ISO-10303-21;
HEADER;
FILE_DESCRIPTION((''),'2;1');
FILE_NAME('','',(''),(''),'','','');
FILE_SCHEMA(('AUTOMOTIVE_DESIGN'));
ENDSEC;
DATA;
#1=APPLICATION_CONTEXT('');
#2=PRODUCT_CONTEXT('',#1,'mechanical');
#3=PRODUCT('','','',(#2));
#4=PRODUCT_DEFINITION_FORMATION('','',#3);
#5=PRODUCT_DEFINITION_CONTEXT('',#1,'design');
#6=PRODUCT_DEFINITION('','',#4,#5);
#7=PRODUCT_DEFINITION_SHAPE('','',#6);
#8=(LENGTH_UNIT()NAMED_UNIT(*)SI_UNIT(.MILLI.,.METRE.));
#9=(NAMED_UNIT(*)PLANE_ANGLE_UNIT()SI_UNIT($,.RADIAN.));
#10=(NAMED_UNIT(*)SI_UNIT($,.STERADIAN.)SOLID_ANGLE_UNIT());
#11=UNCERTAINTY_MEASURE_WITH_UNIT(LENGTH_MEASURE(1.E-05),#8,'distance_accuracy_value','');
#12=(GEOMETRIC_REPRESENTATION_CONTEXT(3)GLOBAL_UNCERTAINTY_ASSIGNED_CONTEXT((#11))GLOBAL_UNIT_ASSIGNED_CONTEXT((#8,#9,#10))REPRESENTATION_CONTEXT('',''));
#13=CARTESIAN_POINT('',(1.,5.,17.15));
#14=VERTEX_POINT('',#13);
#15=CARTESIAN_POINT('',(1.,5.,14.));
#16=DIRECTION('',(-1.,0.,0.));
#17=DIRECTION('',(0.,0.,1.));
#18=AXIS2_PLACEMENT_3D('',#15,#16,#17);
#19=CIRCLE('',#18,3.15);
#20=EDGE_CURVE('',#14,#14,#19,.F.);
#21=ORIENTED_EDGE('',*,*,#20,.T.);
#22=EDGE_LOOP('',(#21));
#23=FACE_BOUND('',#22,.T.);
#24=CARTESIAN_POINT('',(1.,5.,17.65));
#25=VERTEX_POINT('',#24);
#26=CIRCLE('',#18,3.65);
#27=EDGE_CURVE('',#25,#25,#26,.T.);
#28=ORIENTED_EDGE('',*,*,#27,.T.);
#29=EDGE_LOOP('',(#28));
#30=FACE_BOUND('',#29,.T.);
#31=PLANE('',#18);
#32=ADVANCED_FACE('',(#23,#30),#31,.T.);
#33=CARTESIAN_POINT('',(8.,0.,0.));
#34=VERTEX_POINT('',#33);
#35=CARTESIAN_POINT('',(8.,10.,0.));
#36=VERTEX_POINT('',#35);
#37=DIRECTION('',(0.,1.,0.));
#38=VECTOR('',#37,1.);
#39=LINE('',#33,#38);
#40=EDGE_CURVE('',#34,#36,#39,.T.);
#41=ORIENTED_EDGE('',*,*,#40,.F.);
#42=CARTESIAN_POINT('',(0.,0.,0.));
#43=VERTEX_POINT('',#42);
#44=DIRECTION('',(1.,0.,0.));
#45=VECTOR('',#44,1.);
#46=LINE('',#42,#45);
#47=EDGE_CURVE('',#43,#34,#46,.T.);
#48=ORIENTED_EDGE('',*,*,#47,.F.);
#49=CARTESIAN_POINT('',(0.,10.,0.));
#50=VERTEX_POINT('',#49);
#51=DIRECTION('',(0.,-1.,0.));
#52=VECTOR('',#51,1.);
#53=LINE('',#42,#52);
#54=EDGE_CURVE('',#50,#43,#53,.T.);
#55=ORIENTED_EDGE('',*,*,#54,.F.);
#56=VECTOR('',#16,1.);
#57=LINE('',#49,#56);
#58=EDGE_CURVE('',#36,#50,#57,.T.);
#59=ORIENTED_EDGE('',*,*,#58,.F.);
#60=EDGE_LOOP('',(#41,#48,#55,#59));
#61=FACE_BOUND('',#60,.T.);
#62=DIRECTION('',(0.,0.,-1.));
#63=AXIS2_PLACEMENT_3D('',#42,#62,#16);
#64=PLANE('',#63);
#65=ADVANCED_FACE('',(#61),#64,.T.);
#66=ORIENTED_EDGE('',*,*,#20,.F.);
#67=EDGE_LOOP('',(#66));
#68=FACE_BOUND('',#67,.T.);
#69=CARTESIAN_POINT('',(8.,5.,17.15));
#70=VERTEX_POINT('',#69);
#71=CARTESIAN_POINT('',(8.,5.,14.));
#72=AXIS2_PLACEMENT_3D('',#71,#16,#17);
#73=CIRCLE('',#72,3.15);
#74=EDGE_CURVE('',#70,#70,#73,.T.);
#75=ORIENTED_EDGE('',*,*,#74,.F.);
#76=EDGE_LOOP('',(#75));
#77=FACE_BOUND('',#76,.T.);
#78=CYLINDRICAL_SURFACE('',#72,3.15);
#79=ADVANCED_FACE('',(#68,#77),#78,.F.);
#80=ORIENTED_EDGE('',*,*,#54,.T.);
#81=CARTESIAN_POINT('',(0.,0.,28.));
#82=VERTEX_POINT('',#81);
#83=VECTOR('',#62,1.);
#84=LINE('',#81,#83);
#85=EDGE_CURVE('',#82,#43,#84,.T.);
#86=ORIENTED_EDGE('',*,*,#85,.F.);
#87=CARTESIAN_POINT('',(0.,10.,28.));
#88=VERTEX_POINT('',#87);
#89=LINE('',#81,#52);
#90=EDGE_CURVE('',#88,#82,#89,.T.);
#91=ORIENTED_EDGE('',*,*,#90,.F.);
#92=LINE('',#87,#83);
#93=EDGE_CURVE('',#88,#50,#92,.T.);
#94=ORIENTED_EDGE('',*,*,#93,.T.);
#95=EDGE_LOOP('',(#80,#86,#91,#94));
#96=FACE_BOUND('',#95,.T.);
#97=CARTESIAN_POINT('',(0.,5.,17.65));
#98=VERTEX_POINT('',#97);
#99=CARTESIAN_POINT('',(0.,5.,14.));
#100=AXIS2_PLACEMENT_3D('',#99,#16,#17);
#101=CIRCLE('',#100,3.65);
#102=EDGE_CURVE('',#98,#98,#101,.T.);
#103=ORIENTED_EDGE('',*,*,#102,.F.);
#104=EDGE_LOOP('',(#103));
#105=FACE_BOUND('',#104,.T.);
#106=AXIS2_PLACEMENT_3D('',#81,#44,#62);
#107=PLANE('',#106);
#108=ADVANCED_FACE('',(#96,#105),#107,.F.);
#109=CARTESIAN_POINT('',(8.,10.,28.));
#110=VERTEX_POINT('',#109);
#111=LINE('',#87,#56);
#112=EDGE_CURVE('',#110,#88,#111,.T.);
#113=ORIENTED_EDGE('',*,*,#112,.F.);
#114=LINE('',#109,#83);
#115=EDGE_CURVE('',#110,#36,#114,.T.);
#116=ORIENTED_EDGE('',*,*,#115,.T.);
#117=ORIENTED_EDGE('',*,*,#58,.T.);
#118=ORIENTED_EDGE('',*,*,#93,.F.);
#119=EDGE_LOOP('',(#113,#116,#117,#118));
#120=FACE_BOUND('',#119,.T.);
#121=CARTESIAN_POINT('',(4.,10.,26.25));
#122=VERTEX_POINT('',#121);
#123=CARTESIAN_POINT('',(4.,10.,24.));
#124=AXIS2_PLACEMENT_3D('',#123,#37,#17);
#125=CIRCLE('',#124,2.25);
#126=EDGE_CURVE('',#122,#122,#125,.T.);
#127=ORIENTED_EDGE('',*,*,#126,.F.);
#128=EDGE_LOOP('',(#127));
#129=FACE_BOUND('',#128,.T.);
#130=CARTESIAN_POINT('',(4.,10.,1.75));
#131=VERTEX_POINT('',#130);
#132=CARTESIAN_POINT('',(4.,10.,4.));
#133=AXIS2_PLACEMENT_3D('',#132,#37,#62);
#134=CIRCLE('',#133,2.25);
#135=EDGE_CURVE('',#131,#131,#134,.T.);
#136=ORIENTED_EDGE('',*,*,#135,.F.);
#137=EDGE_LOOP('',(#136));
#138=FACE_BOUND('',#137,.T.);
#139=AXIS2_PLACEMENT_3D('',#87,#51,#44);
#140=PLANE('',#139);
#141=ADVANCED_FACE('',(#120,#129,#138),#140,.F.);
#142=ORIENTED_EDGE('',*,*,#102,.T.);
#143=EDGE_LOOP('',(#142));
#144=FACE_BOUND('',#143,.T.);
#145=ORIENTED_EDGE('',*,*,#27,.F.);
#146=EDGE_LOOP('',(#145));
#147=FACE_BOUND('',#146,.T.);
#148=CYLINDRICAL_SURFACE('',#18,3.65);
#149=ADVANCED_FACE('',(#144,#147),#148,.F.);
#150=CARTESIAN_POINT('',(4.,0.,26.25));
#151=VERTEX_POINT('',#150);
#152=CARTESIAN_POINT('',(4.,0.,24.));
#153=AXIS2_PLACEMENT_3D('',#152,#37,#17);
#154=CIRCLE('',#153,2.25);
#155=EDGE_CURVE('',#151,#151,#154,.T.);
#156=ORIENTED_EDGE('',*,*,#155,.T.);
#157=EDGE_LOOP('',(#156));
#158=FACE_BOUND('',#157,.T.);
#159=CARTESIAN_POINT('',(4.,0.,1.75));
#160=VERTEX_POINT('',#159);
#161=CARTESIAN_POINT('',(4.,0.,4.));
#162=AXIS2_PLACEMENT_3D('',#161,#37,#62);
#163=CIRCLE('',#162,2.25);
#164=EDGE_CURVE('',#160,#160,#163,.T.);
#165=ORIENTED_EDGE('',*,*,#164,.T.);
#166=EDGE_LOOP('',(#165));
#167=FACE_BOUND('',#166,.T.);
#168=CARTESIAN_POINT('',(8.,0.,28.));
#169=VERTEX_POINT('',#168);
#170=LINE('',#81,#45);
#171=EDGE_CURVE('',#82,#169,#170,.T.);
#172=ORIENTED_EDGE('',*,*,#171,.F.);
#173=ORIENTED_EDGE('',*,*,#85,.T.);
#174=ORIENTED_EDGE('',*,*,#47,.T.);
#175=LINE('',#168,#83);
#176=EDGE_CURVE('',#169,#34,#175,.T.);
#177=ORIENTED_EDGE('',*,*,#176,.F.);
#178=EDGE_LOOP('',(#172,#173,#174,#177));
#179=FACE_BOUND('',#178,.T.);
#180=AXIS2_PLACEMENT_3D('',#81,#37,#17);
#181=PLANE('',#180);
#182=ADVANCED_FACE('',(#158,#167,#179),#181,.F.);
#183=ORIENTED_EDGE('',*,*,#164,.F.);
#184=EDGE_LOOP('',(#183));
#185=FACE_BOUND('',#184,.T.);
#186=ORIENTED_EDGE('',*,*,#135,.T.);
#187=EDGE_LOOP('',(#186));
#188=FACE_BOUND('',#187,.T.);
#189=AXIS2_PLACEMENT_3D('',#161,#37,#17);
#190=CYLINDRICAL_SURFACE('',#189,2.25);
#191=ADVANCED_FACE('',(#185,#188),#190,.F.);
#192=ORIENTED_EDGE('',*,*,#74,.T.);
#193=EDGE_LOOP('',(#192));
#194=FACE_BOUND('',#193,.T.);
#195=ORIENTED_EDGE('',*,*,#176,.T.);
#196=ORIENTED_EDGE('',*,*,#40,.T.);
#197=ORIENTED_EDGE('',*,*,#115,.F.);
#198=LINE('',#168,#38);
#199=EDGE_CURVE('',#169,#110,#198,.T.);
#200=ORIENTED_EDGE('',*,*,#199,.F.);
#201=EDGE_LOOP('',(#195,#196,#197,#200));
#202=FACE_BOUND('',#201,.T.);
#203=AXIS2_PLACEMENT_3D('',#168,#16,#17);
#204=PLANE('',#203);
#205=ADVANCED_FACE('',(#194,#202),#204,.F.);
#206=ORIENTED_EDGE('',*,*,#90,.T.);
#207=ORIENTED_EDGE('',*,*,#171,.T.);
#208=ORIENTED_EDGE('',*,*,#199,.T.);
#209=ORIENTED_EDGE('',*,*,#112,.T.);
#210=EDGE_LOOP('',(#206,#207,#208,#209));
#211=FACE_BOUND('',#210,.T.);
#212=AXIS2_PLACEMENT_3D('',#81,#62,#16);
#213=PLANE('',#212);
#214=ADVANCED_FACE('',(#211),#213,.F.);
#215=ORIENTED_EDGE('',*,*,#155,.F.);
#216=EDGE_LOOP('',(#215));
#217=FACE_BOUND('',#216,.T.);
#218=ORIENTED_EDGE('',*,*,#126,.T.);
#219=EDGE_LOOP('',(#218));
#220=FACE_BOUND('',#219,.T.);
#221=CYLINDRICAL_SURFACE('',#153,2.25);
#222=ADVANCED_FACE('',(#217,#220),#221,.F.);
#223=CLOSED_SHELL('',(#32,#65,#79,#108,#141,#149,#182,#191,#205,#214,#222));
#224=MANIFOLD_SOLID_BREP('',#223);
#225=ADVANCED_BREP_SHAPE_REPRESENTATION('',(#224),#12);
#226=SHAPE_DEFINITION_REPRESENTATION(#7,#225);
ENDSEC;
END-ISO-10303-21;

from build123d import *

# Parameters (mm, degrees)
ESQUISSE1_W                  = 8
ESQUISSE1_H                  = 10
BOSS_EXTRU_1_DEPTH           = 28
ESQUISSE2_R                  = 2.25
ENL_V_MAT_EXTRU_1_DEPTH      = 11
ESQUISSE3_R                  = 3.15
ENL_V_MAT_EXTRU_2_DEPTH      = 1
ENL_V_MAT_EXTRU_2_DEPTH_BACK = 9
ESQUISSE4_R                  = 3.65
ENL_V_MAT_EXTRU_3_DEPTH      = 1


with BuildPart() as part:
    # Esquisse1 → Boss.-Extru.1 (new body)
    with BuildSketch(Plane.XY):
        with Locations((4, 5)):
            Rectangle(ESQUISSE1_W, ESQUISSE1_H)
    extrude(amount=BOSS_EXTRU_1_DEPTH)

    # Esquisse2 → Enlèv. mat.-Extru.1 (cut, through all)
    with BuildSketch(Plane(origin=(0, 10, 0), x_dir=(1, 0, 0), z_dir=(0, 1, 0))):
        with Locations((4, -24)):
            Circle(ESQUISSE2_R)
        with Locations((4, -4)):
            Circle(ESQUISSE2_R)
    extrude(amount=-ENL_V_MAT_EXTRU_1_DEPTH, mode=Mode.SUBTRACT)

    # Esquisse3 → Enlèv. mat.-Extru.2 (cut, two sides)
    with BuildSketch(Plane.ZY) as enl_v_mat_extru_2_sk:
        with Locations((14, 5)):
            Circle(ESQUISSE3_R)
    extrude(amount=ENL_V_MAT_EXTRU_2_DEPTH, mode=Mode.SUBTRACT)
    extrude(enl_v_mat_extru_2_sk.sketch, amount=-ENL_V_MAT_EXTRU_2_DEPTH_BACK, mode=Mode.SUBTRACT)

    # Esquisse4 → Enlèv. mat.-Extru.3 (cut)
    with BuildSketch(Plane.ZY):
        with Locations((14, 5)):
            Circle(ESQUISSE4_R)
    extrude(amount=-ENL_V_MAT_EXTRU_3_DEPTH, mode=Mode.SUBTRACT)


solid = part.part
